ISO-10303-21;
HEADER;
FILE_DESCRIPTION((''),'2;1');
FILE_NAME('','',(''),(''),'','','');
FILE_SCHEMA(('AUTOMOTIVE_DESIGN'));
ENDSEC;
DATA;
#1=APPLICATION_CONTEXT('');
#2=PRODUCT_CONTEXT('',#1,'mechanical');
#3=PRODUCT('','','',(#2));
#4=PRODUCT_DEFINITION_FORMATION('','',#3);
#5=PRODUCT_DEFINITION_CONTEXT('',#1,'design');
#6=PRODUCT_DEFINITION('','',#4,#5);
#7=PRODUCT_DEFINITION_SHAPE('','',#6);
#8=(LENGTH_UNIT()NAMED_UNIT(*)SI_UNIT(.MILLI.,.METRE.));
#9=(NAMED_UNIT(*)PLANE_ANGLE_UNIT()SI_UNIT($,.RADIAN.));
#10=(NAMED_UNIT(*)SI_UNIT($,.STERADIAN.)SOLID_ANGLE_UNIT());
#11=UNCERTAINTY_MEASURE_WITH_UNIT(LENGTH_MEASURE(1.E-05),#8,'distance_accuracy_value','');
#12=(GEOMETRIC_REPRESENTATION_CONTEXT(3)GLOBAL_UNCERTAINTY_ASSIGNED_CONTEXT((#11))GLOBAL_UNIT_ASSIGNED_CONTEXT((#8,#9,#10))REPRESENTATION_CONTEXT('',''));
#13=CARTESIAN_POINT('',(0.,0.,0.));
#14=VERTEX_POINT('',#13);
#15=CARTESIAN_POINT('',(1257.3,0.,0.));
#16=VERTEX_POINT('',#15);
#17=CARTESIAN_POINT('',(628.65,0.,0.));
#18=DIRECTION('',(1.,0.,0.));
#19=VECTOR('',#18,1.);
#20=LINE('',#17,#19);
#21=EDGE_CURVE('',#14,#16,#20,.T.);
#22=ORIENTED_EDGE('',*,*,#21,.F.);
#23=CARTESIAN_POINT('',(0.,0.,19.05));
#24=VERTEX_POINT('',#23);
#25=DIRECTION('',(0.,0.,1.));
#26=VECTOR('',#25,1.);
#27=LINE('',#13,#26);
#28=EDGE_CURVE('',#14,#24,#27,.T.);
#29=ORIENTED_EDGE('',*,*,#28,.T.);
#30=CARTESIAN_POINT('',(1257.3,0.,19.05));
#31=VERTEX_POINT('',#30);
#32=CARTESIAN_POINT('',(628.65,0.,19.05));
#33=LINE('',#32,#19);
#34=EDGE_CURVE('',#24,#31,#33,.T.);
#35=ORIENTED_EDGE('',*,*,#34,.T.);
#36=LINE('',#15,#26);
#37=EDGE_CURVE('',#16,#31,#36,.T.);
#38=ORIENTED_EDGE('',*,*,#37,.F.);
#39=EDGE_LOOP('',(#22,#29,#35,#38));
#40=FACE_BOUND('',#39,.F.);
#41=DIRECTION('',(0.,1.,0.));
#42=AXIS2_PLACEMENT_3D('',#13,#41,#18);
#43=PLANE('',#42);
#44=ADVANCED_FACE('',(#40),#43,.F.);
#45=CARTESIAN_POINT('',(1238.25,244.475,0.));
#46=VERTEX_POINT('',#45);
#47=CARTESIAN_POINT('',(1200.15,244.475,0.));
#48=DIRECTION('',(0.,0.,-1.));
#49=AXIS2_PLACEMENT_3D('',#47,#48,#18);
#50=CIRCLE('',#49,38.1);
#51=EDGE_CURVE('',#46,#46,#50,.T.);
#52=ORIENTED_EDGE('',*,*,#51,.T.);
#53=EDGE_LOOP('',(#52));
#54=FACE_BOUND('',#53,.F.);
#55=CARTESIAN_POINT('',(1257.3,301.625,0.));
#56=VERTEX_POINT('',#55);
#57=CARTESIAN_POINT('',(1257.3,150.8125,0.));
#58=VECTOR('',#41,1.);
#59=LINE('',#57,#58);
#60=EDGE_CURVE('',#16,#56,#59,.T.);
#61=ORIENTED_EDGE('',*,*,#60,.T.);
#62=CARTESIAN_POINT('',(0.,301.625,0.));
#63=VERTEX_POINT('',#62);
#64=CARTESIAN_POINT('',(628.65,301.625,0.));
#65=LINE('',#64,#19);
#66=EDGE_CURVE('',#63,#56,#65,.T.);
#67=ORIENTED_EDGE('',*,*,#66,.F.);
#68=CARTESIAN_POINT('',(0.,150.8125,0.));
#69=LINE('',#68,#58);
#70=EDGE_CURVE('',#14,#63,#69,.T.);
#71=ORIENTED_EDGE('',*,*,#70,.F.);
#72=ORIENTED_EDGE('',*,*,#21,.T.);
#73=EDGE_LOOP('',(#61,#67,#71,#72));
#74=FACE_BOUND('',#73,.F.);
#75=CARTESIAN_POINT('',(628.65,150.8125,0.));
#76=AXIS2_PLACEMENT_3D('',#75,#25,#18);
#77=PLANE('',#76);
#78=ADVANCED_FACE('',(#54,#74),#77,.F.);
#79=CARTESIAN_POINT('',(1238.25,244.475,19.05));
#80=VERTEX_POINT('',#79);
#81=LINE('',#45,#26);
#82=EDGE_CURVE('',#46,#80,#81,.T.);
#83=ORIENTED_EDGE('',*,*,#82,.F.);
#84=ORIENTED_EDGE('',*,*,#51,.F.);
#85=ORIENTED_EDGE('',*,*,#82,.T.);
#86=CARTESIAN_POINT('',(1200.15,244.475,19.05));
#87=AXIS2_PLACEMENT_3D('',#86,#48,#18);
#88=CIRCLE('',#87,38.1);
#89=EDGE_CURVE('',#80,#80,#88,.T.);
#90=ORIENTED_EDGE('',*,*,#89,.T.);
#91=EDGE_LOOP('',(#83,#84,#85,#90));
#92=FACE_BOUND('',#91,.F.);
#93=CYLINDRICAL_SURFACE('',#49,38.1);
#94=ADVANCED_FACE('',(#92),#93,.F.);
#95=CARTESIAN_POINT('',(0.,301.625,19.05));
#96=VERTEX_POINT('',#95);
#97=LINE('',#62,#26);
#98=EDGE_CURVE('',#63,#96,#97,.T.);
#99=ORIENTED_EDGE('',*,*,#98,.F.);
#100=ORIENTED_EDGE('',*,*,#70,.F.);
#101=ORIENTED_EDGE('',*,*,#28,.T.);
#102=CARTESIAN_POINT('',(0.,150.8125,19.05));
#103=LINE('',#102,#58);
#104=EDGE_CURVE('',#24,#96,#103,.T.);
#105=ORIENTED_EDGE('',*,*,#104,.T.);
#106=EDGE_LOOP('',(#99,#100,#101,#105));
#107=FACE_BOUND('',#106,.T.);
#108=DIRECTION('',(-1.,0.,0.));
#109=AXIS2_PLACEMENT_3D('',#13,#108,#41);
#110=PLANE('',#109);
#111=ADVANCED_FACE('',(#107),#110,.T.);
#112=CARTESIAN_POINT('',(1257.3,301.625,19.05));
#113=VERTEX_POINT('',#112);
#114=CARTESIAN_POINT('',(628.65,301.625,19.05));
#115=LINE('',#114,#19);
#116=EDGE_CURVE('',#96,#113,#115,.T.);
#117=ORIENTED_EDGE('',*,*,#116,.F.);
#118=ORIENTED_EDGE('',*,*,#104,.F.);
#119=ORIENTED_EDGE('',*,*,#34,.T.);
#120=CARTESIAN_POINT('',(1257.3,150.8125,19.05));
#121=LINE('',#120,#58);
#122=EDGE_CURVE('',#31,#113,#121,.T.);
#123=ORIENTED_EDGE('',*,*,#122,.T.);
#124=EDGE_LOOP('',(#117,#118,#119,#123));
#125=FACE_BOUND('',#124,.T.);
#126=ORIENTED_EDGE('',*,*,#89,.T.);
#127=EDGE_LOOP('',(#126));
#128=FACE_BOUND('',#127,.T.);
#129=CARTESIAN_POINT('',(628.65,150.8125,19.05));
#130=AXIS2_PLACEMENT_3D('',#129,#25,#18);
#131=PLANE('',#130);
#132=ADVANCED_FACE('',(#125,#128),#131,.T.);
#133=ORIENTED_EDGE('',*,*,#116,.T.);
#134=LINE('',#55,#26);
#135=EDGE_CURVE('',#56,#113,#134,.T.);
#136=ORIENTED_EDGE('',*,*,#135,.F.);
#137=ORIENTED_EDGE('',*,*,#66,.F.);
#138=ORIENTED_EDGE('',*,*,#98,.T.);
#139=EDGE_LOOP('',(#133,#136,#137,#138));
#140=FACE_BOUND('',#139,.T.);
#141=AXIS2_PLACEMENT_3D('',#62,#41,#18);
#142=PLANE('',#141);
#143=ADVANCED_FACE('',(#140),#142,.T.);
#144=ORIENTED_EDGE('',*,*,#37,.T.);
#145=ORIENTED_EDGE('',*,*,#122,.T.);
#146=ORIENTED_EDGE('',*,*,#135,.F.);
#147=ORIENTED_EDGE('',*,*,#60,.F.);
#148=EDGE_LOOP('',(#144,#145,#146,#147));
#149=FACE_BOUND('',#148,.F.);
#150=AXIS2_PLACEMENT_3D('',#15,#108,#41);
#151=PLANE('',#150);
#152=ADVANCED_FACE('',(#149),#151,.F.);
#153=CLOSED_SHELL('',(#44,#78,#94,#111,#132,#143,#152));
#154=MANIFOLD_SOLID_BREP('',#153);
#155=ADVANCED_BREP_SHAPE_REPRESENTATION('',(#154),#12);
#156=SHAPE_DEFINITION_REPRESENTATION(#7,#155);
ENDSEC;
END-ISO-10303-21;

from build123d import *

# Parameters (mm, degrees)
F0_W     = 1257.3
F0_H     = 301.625
F1_DEPTH = 19.05
F2_R     = 38.1
F3_DEPTH = 19.051


with BuildPart() as f1:
    # F0 (on Top) → F1 (new body)
    with BuildSketch(Plane.XY):
        with Locations((628.65, 150.8125)):
            Rectangle(F0_W, F0_H)
    extrude(amount=F1_DEPTH)

    # F2 (on face) → F3 (cut, through all)
    with BuildSketch(Plane(origin=(0, 0, 0), x_dir=(1, 0, 0), z_dir=(0, 0, -1))):
        with Locations((1200.15, -244.475)):
            Circle(F2_R)
    extrude(amount=-F3_DEPTH, mode=Mode.SUBTRACT)


solid = f1.part
